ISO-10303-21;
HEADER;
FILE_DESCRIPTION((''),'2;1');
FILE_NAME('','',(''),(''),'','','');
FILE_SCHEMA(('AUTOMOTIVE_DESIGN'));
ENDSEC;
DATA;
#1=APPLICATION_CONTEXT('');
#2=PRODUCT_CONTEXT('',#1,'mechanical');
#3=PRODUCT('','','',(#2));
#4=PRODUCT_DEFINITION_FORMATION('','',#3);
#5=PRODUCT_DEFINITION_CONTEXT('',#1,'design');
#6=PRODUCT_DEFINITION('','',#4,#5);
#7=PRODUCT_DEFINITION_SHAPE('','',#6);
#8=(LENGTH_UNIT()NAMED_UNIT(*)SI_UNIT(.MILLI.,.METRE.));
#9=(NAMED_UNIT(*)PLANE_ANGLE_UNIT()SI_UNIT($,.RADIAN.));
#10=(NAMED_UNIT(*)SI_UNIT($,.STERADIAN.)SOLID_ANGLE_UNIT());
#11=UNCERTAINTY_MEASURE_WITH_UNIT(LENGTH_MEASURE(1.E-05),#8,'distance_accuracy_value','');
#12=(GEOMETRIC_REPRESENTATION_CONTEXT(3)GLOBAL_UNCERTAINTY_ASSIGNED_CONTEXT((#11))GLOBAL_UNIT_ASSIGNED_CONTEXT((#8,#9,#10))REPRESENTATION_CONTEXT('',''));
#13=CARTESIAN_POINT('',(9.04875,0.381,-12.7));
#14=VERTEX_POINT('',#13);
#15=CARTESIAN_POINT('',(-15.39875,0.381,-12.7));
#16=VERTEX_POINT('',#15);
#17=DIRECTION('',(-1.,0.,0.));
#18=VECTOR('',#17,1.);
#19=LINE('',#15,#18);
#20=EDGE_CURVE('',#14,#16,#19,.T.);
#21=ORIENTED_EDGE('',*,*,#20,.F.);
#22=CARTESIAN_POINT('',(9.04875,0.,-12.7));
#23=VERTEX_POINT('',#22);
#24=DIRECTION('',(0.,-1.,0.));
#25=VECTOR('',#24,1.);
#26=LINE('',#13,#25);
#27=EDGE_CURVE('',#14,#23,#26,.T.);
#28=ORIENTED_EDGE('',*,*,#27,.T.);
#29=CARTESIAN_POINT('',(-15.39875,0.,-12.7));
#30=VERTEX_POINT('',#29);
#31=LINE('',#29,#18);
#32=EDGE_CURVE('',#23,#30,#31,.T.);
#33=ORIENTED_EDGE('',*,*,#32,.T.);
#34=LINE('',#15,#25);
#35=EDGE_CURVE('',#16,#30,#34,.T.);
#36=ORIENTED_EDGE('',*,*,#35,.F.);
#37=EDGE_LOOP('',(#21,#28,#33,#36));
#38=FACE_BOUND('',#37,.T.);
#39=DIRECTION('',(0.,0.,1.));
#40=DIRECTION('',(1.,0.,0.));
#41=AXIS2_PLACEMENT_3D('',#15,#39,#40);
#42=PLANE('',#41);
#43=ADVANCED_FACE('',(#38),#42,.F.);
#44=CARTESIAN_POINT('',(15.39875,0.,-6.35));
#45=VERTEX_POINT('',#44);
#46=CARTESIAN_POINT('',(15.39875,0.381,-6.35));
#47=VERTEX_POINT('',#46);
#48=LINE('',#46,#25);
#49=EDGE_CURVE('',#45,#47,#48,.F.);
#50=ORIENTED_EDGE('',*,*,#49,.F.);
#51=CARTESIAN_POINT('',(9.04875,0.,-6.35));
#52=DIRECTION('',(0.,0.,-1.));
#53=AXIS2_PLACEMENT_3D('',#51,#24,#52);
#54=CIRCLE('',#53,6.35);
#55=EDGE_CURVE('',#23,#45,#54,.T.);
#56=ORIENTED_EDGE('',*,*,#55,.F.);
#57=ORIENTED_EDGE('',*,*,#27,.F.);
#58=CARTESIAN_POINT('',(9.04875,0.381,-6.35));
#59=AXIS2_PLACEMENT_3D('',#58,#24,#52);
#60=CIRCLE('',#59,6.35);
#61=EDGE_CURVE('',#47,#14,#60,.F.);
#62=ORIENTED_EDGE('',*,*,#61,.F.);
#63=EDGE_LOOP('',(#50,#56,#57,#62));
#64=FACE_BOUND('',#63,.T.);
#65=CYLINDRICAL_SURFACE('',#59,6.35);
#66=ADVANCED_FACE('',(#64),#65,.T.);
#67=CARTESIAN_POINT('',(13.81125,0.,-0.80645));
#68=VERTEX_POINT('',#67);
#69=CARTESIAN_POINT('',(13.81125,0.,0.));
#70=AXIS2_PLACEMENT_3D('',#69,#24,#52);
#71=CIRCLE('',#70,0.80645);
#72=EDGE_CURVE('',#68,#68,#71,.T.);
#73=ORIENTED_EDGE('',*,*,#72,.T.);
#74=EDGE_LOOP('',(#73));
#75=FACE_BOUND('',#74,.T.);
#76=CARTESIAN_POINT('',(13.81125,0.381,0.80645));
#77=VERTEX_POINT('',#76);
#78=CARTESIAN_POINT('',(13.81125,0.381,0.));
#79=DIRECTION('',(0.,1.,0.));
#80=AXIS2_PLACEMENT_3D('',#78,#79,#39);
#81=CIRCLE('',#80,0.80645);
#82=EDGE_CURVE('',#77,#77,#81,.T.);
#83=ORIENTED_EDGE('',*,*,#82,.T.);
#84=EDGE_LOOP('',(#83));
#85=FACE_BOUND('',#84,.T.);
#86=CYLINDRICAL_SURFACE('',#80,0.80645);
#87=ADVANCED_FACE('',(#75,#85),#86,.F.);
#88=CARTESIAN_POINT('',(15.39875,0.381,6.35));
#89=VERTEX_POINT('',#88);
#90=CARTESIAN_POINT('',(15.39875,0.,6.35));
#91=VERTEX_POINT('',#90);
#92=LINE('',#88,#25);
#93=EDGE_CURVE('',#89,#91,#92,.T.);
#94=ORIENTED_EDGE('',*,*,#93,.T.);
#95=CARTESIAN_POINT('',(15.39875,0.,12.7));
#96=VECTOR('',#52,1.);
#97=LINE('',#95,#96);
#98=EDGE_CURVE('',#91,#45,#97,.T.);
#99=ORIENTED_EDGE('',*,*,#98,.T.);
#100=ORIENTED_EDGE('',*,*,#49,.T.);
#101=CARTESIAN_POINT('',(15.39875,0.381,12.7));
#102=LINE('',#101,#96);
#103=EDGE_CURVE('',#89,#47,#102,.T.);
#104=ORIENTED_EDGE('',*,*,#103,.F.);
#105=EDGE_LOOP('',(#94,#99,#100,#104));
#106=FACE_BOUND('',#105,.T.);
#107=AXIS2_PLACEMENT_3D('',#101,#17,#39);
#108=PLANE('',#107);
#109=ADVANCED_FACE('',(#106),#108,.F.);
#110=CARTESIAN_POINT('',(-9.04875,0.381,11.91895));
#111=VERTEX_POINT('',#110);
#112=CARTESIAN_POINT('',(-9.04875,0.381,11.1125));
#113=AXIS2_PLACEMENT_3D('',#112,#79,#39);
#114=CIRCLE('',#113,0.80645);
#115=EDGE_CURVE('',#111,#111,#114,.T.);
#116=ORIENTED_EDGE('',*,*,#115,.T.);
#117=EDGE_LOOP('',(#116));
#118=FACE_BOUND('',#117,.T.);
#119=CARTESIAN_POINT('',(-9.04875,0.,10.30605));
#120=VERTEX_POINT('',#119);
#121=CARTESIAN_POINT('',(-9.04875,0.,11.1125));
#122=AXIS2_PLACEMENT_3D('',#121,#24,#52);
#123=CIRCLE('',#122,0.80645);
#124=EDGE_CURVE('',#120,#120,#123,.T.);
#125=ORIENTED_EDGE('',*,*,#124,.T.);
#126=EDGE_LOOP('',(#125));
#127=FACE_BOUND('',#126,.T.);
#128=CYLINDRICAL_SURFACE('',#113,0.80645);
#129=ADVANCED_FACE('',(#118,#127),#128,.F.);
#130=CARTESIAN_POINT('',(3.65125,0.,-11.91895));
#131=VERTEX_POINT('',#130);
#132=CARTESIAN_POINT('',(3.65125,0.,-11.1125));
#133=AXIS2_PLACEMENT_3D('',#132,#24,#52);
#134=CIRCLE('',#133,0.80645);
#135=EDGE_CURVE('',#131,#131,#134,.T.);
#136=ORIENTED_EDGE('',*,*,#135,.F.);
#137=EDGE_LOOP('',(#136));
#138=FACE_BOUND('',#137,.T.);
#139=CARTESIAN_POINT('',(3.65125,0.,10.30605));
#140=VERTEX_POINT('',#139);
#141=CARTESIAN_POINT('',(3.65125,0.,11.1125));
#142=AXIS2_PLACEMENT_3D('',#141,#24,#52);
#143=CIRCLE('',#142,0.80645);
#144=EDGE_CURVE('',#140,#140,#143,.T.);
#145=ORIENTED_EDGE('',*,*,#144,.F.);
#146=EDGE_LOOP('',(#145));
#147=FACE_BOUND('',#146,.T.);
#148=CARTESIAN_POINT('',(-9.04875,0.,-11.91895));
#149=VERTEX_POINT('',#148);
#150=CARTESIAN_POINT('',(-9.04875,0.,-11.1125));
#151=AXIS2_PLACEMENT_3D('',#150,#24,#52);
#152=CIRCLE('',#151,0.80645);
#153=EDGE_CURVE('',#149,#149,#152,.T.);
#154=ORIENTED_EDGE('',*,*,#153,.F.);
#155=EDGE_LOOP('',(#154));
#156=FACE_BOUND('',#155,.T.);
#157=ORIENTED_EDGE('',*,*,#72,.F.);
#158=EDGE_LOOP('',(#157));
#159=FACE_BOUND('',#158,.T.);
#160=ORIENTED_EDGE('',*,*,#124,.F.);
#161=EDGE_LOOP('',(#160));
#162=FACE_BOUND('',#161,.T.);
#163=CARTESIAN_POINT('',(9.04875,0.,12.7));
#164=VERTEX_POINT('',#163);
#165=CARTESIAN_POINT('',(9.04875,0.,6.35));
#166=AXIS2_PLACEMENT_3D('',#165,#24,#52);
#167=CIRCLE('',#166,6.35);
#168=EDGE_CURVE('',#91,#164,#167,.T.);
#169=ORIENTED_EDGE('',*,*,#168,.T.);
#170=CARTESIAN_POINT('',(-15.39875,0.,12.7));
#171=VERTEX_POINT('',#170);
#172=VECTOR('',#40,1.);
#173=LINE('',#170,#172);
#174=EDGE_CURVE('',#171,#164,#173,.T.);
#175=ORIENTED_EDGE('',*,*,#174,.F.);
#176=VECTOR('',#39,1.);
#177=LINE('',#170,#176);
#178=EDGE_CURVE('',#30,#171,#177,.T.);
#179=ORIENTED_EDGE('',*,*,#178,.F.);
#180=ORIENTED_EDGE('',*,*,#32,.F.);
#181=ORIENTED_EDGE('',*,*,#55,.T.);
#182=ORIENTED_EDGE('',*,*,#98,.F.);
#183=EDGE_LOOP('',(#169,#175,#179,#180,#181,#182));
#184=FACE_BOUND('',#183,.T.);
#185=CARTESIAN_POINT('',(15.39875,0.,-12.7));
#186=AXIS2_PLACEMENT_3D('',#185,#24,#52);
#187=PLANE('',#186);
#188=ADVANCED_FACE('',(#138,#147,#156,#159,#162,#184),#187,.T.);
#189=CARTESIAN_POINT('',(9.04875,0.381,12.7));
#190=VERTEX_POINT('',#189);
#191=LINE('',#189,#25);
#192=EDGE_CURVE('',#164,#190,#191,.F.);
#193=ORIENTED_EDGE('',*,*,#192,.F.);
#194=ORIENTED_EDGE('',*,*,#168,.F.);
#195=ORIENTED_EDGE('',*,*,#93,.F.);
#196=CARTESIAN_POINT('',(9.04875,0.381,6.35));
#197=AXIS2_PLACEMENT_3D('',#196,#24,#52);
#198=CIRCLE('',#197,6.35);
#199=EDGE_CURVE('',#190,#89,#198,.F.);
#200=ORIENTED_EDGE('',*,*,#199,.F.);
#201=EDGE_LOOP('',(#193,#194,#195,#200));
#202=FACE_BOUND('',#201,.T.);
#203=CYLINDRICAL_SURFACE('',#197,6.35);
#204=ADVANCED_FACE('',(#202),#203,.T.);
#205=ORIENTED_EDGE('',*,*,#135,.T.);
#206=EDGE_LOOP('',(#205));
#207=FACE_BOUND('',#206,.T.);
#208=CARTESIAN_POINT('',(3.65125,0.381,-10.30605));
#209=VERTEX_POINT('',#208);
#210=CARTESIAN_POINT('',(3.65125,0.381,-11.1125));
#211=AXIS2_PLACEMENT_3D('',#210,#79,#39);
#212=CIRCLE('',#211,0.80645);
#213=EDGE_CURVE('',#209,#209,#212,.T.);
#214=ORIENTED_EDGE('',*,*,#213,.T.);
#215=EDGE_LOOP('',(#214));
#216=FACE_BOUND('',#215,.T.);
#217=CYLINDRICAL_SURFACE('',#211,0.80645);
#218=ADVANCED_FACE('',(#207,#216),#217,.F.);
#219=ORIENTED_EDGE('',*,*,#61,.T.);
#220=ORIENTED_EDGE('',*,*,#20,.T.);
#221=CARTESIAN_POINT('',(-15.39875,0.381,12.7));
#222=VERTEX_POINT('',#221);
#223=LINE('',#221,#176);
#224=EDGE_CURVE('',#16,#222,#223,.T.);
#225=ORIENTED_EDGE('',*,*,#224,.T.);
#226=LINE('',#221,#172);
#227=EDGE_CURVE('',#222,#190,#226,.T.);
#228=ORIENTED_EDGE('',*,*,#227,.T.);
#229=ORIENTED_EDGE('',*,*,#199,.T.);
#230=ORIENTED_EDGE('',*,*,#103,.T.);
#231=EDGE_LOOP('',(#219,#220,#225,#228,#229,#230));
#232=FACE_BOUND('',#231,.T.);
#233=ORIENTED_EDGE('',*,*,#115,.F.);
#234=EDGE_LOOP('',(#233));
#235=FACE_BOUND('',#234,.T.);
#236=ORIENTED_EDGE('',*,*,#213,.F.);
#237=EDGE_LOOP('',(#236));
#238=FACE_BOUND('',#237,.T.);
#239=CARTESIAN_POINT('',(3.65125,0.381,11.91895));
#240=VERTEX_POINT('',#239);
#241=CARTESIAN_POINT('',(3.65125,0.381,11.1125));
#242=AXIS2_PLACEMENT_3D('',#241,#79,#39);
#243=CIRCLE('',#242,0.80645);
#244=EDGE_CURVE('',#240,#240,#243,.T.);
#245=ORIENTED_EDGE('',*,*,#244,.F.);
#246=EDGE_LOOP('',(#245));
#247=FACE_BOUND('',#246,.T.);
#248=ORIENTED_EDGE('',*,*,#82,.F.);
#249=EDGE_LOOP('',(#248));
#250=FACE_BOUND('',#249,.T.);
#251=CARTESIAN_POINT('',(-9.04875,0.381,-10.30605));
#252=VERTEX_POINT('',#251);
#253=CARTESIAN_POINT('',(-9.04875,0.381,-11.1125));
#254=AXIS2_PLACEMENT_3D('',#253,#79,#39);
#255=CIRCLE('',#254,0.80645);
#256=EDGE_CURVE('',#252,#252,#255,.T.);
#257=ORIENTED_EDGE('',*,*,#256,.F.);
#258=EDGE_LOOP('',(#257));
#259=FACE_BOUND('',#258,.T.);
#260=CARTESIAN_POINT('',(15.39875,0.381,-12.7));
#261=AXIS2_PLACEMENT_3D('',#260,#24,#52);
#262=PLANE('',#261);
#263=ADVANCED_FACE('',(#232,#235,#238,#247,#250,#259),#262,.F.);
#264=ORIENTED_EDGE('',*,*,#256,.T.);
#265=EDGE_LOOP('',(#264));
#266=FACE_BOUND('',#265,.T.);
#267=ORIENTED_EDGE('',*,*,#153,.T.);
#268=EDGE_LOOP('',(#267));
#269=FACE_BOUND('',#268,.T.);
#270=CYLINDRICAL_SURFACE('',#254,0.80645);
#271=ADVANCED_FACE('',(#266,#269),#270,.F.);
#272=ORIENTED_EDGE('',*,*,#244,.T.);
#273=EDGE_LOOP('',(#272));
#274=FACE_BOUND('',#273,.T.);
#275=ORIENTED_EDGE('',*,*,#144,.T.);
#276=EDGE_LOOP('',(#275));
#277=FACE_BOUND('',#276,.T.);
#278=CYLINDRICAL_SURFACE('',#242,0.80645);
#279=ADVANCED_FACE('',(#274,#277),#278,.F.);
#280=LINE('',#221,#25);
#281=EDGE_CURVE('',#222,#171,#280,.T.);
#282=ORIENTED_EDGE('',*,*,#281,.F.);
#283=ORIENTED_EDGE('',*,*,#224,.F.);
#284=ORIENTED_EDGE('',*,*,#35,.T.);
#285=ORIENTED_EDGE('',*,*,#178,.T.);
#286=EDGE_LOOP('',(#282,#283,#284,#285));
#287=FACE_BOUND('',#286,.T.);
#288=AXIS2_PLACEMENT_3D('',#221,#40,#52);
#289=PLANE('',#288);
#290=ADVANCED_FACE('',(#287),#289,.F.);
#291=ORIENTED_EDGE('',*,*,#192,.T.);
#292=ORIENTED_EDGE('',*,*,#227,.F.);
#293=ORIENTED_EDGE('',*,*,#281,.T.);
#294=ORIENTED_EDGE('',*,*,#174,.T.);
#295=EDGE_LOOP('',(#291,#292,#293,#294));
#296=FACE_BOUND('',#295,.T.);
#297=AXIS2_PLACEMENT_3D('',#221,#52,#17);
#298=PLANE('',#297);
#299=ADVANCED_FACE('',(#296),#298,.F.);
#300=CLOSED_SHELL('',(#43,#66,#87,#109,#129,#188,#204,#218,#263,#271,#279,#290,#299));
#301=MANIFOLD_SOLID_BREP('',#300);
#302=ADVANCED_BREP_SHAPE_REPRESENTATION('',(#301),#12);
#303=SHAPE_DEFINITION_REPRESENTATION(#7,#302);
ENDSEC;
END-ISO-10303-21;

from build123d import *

# Parameters (mm, degrees)
SKETCH1_W                 = 30.7975
SKETCH1_H                 = 25.4
BOSS_EXTRUDE1_DEPTH       = 0.381
FILLET1_R                 = 6.35
F_0_CLEARANCE_HOLE1_D     = 1.6129
F_0_CLEARANCE_HOLE1_DEPTH = 25.4
F_0_CLEARANCE_HOLE1_TIP   = 0.484564046


with BuildPart() as part:
    # Sketch1 → Boss-Extrude1 (new body)
    with BuildSketch(Plane(origin=(0, 0, 0), x_dir=(1, 0, 0), z_dir=(0, 1, 0))):
        Rectangle(SKETCH1_W, SKETCH1_H)
    extrude(amount=BOSS_EXTRUDE1_DEPTH)

    # Fillet1
    fillet1_edges = [part.edges().sort_by_distance(p)[0] for p in [
        (15.39875, 0.1905, 12.7),
        (15.39875, 0.1905, -12.7),
    ]]
    fillet(fillet1_edges, radius=FILLET1_R)

    # #0 Clearance Hole1
    with Locations(Plane(origin=(0, 0.381, 0), x_dir=(-1, 0, 0), z_dir=(0, 1, 0))):
        with Locations((9.04875, -11.1125), (-3.65125, -11.1125), (-13.81125, 0), (9.04875, 11.1125), (-3.65125, 11.1125)):
            Hole(F_0_CLEARANCE_HOLE1_D / 2, depth=F_0_CLEARANCE_HOLE1_DEPTH)
            with Locations((0, 0, -(F_0_CLEARANCE_HOLE1_DEPTH + F_0_CLEARANCE_HOLE1_TIP / 2))):  # 118° drill point
                Cone(0, F_0_CLEARANCE_HOLE1_D / 2, F_0_CLEARANCE_HOLE1_TIP, mode=Mode.SUBTRACT)


solid = part.part
